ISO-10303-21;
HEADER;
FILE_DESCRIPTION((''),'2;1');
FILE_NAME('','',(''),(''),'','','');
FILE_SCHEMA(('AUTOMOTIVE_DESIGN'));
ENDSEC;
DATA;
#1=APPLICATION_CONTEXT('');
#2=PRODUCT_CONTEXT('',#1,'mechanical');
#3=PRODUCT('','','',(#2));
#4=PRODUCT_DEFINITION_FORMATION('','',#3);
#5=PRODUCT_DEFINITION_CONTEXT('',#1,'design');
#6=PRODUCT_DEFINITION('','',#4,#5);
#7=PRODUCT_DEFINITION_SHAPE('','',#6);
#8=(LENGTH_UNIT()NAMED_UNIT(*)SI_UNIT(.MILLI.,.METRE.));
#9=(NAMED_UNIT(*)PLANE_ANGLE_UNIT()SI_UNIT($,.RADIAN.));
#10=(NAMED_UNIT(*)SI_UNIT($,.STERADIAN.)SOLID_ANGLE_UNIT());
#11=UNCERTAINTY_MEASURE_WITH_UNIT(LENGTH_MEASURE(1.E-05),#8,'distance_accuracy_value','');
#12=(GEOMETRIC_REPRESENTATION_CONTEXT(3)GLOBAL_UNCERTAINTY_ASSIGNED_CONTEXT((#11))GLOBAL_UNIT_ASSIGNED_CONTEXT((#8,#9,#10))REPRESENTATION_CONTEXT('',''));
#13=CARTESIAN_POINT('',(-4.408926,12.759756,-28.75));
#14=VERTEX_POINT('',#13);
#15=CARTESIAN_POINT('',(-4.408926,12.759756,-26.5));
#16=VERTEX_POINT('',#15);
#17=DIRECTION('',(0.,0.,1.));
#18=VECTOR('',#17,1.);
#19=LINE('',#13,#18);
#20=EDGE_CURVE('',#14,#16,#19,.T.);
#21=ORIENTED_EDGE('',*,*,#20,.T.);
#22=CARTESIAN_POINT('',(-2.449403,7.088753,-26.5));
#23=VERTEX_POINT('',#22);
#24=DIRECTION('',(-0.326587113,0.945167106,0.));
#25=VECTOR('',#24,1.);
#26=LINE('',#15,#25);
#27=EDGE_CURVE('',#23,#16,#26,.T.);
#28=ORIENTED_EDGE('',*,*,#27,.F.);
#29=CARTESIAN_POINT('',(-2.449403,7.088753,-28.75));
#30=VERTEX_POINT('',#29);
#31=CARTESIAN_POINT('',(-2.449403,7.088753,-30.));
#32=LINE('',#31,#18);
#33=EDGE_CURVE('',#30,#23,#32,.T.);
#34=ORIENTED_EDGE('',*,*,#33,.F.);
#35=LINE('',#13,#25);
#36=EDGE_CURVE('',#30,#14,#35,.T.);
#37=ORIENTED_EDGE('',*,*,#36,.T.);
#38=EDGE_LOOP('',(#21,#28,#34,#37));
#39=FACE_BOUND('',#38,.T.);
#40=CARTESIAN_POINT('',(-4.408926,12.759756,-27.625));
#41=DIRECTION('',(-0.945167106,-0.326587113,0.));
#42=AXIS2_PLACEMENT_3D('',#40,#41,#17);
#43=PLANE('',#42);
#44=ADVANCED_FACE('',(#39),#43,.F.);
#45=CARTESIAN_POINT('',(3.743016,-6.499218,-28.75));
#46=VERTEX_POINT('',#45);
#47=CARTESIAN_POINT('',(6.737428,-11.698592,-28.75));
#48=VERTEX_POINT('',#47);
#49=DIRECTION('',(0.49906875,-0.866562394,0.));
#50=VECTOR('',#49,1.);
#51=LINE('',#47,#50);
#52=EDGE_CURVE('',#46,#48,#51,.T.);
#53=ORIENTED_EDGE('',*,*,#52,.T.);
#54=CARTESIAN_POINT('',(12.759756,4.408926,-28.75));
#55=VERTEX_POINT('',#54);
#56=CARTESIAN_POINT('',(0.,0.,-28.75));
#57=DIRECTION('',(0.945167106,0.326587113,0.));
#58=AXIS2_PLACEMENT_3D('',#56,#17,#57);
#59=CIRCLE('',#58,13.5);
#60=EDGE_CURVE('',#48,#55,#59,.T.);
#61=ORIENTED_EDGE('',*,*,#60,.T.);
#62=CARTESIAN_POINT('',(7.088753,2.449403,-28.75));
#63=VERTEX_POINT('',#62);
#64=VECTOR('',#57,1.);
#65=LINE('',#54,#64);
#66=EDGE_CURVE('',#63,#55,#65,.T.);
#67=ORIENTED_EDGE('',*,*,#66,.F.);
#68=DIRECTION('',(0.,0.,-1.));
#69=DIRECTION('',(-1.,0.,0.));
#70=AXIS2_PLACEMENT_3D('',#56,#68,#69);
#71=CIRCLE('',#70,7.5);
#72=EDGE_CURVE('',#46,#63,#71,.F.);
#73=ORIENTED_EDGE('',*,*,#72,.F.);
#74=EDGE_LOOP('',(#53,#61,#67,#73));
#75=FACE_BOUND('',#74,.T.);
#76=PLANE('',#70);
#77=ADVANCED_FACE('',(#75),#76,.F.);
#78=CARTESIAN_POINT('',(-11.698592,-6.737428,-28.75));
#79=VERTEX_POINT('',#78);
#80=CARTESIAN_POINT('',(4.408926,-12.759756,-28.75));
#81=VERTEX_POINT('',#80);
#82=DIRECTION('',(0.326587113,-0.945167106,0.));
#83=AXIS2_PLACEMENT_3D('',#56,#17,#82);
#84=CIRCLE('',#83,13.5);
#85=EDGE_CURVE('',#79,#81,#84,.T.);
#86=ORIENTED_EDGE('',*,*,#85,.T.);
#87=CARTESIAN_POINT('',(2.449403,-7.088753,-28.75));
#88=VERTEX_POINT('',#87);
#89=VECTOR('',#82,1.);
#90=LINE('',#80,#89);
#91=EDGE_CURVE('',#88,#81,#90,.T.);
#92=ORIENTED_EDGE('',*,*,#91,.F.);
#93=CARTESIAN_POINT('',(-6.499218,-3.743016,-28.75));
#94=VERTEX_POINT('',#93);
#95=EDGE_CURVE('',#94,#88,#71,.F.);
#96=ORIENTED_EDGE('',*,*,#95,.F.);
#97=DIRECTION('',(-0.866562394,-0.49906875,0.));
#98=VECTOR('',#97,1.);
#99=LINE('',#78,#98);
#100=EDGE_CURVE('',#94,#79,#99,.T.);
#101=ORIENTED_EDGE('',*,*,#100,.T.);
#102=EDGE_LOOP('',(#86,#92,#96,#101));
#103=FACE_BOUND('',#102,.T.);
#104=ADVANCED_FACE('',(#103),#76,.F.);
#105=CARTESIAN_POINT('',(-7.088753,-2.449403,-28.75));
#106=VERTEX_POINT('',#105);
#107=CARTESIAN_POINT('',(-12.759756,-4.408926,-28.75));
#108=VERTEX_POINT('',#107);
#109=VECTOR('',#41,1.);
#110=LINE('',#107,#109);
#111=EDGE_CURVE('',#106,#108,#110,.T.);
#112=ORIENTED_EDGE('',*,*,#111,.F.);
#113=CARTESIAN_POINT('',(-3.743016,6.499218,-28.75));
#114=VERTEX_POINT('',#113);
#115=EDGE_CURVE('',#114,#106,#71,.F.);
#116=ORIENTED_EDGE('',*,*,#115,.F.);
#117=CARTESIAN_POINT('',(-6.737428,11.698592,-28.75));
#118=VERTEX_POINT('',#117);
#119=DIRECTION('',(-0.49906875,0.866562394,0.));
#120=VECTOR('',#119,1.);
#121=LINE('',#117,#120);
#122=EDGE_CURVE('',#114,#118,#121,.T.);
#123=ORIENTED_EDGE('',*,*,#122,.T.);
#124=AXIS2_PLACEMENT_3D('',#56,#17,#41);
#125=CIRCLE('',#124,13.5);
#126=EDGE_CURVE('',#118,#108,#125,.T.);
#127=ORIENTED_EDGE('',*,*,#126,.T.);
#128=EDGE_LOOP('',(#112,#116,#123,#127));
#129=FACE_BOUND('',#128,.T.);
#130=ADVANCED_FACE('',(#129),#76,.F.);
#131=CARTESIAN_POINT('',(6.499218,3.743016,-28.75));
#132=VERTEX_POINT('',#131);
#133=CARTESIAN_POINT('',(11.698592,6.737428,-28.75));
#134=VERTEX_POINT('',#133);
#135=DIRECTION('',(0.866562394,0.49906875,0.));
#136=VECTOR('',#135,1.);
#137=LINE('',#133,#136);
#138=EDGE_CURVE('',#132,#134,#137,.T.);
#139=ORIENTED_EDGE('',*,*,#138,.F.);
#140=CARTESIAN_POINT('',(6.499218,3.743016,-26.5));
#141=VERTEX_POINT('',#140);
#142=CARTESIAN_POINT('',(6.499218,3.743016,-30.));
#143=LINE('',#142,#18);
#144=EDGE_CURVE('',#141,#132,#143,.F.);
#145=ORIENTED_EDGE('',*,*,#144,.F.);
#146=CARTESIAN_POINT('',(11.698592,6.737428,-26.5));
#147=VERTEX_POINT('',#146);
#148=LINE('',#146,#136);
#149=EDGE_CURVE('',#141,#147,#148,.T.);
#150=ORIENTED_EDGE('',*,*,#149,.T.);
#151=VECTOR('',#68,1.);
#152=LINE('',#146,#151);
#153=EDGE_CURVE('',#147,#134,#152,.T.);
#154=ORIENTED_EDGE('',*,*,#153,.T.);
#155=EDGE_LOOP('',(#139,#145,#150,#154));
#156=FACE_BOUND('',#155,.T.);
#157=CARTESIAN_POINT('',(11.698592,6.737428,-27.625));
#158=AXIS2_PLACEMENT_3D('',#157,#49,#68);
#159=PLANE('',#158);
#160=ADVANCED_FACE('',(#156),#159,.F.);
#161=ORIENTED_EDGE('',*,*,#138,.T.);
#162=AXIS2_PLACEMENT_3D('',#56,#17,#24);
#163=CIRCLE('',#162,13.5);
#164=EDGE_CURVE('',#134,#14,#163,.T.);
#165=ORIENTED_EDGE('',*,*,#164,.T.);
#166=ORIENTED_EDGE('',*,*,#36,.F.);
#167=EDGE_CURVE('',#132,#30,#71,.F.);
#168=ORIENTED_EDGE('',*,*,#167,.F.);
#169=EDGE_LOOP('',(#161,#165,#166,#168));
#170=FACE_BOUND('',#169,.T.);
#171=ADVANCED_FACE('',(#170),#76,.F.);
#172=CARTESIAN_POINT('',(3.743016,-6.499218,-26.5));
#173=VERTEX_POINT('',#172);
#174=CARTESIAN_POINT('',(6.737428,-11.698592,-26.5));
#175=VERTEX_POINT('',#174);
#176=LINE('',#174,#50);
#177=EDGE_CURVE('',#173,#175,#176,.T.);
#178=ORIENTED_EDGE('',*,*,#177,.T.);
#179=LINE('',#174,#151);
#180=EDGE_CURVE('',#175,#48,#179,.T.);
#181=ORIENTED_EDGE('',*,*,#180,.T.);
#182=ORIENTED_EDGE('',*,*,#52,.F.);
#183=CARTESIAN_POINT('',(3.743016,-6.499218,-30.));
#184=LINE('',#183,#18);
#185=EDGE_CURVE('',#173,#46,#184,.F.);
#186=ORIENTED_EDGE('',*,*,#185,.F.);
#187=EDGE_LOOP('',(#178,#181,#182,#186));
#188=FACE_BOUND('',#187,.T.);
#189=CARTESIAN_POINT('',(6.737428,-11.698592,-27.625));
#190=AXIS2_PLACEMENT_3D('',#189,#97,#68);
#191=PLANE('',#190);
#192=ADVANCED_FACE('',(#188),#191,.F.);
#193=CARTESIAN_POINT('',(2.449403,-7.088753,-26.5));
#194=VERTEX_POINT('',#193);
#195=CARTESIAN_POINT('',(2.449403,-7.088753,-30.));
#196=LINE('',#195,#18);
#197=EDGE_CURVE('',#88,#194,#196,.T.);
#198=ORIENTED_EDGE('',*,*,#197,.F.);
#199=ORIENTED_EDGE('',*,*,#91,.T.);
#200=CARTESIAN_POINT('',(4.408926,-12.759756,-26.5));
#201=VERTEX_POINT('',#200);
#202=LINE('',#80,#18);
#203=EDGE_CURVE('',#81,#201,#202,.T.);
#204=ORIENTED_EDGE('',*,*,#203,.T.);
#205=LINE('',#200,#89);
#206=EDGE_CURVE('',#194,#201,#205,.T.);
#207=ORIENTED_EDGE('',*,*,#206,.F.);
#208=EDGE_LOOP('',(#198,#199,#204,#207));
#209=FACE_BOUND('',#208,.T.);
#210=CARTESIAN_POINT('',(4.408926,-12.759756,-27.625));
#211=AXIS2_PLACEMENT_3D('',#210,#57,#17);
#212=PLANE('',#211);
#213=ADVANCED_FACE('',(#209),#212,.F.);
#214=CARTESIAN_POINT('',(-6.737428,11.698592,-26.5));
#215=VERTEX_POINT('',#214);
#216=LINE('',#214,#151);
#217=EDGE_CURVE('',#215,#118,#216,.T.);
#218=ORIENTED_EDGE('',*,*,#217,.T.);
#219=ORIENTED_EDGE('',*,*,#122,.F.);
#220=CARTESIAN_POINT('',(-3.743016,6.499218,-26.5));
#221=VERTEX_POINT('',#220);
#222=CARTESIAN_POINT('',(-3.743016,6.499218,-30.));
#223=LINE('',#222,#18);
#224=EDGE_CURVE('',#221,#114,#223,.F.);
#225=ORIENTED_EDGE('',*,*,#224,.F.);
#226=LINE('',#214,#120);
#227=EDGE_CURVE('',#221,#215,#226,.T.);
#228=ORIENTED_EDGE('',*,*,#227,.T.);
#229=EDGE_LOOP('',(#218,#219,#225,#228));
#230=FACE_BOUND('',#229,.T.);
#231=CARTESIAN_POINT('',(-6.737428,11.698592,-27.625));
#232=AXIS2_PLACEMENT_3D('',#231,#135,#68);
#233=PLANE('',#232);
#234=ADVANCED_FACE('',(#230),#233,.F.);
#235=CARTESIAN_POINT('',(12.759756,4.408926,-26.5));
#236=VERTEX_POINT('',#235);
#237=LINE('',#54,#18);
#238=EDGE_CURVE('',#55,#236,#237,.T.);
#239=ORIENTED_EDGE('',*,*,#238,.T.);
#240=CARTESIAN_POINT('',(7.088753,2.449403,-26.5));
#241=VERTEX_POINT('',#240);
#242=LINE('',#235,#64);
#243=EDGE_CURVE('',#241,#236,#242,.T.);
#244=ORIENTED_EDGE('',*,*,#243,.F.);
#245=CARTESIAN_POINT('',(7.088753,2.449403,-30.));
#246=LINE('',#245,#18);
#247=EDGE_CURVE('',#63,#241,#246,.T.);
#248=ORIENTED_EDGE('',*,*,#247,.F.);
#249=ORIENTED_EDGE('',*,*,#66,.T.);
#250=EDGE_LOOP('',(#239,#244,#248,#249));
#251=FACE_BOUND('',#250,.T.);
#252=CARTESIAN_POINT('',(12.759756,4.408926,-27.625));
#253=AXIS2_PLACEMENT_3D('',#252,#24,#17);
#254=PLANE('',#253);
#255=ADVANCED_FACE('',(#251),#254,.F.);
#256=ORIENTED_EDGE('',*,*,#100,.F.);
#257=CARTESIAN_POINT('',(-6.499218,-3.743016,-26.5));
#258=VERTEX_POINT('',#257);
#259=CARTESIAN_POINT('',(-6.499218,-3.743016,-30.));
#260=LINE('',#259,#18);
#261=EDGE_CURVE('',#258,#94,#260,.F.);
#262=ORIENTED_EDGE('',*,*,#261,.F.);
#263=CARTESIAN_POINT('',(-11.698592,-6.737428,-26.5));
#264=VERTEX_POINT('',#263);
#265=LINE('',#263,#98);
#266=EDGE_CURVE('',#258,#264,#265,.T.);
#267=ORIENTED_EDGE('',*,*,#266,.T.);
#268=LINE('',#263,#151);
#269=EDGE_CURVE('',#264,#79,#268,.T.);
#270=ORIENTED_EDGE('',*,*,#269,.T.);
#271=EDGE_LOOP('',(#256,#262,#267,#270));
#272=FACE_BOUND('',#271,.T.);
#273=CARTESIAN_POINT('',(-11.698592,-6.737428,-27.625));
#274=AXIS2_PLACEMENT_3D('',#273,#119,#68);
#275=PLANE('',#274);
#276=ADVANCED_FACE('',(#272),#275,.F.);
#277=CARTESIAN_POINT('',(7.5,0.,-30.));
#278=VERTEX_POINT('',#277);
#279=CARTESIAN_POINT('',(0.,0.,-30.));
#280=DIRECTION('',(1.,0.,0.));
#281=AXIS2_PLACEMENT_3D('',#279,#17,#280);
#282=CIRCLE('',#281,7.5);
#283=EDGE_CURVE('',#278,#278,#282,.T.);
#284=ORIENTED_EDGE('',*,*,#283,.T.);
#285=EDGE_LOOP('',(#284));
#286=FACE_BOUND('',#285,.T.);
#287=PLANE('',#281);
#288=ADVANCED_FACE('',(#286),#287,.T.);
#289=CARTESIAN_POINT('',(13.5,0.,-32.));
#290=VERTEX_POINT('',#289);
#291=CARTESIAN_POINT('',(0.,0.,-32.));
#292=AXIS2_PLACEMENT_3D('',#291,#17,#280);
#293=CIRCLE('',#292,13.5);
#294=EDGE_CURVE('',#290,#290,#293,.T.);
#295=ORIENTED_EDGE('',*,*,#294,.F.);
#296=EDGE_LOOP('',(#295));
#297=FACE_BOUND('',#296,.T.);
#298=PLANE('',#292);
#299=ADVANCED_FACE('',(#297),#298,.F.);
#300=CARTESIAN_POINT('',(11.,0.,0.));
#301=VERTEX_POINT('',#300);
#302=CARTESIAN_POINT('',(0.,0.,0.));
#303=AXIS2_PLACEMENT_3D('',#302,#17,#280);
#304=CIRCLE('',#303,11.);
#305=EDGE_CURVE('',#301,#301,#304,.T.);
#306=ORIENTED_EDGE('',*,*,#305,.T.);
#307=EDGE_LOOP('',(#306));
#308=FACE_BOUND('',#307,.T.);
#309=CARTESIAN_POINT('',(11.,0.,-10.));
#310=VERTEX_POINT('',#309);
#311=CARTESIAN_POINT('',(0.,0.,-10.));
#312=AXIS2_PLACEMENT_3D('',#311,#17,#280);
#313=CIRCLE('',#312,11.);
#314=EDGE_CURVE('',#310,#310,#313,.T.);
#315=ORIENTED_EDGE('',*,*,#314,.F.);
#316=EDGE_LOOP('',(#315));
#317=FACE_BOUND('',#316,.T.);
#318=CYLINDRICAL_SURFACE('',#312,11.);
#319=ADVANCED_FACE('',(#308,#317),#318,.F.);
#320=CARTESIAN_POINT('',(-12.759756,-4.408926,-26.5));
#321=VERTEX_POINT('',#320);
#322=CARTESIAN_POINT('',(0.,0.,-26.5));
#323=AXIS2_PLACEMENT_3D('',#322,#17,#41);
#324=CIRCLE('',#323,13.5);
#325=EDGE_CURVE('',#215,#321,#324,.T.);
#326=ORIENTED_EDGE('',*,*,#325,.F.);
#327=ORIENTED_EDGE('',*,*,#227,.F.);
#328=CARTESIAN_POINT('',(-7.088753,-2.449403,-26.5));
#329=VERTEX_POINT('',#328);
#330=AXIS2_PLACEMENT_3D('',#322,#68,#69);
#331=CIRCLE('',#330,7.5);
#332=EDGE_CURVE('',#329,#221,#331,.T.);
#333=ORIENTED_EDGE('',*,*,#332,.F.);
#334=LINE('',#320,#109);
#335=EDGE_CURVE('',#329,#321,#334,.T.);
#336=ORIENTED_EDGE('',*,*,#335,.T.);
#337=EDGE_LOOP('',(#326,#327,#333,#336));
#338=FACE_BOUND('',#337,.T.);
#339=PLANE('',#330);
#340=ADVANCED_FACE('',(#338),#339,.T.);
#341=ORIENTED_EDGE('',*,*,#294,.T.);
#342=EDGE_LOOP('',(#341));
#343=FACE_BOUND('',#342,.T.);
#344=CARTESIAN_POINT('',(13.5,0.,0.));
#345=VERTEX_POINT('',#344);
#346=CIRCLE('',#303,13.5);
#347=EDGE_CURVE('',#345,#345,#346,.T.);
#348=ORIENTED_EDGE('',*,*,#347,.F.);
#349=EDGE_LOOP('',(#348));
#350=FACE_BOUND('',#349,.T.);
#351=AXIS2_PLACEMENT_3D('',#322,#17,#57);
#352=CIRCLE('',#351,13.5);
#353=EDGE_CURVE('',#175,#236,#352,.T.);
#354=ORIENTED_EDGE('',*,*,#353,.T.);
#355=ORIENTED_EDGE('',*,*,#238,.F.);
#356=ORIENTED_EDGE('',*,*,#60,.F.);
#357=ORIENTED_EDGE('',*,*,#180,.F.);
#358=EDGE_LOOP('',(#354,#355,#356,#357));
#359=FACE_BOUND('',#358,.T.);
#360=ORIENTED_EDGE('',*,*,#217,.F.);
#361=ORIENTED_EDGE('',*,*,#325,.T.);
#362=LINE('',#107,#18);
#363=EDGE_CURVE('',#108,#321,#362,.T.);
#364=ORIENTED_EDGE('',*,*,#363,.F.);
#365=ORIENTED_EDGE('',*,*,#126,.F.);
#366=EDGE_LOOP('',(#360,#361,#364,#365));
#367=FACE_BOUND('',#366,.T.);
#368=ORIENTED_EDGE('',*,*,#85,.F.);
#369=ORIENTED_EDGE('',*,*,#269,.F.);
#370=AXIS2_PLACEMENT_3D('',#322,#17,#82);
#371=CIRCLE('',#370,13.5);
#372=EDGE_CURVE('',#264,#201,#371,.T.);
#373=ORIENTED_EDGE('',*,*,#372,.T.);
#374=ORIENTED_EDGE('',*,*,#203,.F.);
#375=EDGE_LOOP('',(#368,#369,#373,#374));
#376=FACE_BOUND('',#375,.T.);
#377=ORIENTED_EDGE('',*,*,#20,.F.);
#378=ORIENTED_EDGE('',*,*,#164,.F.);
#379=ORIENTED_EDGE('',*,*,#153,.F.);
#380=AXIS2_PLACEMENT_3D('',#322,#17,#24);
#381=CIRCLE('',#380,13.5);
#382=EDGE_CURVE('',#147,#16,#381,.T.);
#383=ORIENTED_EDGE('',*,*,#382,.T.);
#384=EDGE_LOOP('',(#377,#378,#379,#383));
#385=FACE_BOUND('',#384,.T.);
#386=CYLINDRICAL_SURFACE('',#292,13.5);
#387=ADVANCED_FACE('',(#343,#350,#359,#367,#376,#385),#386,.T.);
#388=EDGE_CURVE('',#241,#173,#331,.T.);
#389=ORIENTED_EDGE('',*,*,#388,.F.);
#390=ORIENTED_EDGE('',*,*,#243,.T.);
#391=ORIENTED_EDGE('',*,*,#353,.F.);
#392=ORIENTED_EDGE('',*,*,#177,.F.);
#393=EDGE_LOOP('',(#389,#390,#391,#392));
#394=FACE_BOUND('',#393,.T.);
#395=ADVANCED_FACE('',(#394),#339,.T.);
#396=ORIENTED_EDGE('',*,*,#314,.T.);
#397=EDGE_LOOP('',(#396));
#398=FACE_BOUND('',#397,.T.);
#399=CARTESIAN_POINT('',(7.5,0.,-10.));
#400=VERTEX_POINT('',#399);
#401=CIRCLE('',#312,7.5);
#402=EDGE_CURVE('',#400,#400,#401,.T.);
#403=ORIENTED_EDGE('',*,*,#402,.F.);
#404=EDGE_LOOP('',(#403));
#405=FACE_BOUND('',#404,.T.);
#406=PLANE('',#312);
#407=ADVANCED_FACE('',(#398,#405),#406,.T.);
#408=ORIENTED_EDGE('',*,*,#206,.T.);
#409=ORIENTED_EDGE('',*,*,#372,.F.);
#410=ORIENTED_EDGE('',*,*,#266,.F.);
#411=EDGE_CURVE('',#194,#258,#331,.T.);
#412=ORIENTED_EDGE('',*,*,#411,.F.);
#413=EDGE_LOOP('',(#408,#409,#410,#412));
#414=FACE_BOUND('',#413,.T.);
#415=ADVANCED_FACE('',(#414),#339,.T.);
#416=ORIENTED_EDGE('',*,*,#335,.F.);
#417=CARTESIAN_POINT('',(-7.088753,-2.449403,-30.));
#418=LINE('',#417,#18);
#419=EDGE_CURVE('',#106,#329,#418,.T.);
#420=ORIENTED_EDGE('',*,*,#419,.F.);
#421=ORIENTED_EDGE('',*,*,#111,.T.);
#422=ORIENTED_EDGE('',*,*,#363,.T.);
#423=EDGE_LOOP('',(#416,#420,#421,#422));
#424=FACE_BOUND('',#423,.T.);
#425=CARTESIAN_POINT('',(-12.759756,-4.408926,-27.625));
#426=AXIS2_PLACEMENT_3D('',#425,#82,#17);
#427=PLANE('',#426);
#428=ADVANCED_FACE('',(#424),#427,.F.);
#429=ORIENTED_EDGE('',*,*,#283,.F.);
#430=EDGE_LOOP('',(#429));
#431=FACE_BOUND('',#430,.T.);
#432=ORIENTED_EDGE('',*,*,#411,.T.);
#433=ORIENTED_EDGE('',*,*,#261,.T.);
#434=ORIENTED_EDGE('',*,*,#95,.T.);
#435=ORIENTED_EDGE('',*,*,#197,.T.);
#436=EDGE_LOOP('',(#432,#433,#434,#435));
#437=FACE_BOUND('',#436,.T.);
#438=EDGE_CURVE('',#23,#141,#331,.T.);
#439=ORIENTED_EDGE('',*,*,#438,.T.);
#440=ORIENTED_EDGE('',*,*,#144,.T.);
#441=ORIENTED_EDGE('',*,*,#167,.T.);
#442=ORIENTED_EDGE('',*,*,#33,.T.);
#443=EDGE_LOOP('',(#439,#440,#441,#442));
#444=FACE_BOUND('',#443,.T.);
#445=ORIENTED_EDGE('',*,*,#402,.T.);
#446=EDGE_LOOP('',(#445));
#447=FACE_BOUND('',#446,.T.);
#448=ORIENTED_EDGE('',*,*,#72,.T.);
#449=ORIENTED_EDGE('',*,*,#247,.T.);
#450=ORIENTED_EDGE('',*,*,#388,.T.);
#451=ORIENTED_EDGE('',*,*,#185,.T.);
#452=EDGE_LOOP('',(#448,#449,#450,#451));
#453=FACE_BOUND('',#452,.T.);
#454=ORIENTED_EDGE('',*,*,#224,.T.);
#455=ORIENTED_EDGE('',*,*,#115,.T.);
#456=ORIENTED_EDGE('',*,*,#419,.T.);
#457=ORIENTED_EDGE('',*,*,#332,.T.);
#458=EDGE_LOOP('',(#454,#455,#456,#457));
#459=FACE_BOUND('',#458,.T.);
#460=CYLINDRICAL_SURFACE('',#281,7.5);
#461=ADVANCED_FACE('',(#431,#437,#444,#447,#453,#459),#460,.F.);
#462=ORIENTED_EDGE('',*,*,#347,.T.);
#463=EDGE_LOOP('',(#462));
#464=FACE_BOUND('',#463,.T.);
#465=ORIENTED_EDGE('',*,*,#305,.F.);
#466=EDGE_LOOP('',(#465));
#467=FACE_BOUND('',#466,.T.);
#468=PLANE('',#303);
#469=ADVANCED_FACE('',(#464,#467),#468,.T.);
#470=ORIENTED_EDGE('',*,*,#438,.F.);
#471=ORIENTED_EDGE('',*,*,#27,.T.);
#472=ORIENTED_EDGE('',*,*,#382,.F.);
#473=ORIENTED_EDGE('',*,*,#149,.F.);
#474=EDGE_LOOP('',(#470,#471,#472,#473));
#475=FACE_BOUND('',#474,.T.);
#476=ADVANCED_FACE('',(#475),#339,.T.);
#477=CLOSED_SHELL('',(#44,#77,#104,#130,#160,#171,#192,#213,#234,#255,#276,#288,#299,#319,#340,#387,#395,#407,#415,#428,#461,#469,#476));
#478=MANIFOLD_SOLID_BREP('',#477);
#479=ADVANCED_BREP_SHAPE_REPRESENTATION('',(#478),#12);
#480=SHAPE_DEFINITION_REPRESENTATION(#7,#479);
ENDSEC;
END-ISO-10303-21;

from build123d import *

# Parameters (mm, degrees)
SKETCH2_R           = 13.5
BOSS_EXTRUDE1_DEPTH = 32
SKETCH4_R           = 11
CUT_EXTRUDE1_DEPTH  = 10
SKETCH5_R           = 7.5
CUT_EXTRUDE2_DEPTH  = 30
WRAP1_SECTION_W     = 12
WRAP1_SECTION_H     = 2.25
WRAP1_ANGLE         = 79.123349442
CIRPATTERN1_COUNT   = 4


with BuildPart() as part:
    # Sketch2 → Boss-Extrude1 (new body)
    with BuildSketch(Plane.XY):
        Circle(SKETCH2_R)
    extrude(amount=-BOSS_EXTRUDE1_DEPTH)

    # Sketch4 → Cut-Extrude1 (cut)
    with BuildSketch(Plane.XY):
        Circle(SKETCH4_R)
    extrude(amount=-CUT_EXTRUDE1_DEPTH, mode=Mode.SUBTRACT)

    # Sketch5 → Cut-Extrude2 (cut)
    with BuildSketch(Plane.XY):
        Circle(SKETCH5_R)
    extrude(amount=-CUT_EXTRUDE2_DEPTH, mode=Mode.SUBTRACT)

    # Wrap1 section (on wrap section) → Wrap1 (revolve, cut)
    with BuildSketch(Plane(origin=(0, 0, 0), x_dir=(0.8665623942609315, 0.4990687496255019, 0), z_dir=(0.4990687496255019, -0.8665623942609315, 0))):
        with Locations((7.5, -27.625)):
            Rectangle(WRAP1_SECTION_W, WRAP1_SECTION_H)
    wrap1 = revolve(axis=Axis((0, 0, 0), (0, 0, 1)), revolution_arc=WRAP1_ANGLE, mode=Mode.SUBTRACT)

    # CirPattern1: Wrap1 ×4 about axis
    cirpattern1_axis = Axis((0, 0, -32), (0, 0, 1))
    for i in range(1, CIRPATTERN1_COUNT):
        add(wrap1.rotate(cirpattern1_axis, i * 360 / CIRPATTERN1_COUNT), mode=Mode.SUBTRACT)


solid = part.part
